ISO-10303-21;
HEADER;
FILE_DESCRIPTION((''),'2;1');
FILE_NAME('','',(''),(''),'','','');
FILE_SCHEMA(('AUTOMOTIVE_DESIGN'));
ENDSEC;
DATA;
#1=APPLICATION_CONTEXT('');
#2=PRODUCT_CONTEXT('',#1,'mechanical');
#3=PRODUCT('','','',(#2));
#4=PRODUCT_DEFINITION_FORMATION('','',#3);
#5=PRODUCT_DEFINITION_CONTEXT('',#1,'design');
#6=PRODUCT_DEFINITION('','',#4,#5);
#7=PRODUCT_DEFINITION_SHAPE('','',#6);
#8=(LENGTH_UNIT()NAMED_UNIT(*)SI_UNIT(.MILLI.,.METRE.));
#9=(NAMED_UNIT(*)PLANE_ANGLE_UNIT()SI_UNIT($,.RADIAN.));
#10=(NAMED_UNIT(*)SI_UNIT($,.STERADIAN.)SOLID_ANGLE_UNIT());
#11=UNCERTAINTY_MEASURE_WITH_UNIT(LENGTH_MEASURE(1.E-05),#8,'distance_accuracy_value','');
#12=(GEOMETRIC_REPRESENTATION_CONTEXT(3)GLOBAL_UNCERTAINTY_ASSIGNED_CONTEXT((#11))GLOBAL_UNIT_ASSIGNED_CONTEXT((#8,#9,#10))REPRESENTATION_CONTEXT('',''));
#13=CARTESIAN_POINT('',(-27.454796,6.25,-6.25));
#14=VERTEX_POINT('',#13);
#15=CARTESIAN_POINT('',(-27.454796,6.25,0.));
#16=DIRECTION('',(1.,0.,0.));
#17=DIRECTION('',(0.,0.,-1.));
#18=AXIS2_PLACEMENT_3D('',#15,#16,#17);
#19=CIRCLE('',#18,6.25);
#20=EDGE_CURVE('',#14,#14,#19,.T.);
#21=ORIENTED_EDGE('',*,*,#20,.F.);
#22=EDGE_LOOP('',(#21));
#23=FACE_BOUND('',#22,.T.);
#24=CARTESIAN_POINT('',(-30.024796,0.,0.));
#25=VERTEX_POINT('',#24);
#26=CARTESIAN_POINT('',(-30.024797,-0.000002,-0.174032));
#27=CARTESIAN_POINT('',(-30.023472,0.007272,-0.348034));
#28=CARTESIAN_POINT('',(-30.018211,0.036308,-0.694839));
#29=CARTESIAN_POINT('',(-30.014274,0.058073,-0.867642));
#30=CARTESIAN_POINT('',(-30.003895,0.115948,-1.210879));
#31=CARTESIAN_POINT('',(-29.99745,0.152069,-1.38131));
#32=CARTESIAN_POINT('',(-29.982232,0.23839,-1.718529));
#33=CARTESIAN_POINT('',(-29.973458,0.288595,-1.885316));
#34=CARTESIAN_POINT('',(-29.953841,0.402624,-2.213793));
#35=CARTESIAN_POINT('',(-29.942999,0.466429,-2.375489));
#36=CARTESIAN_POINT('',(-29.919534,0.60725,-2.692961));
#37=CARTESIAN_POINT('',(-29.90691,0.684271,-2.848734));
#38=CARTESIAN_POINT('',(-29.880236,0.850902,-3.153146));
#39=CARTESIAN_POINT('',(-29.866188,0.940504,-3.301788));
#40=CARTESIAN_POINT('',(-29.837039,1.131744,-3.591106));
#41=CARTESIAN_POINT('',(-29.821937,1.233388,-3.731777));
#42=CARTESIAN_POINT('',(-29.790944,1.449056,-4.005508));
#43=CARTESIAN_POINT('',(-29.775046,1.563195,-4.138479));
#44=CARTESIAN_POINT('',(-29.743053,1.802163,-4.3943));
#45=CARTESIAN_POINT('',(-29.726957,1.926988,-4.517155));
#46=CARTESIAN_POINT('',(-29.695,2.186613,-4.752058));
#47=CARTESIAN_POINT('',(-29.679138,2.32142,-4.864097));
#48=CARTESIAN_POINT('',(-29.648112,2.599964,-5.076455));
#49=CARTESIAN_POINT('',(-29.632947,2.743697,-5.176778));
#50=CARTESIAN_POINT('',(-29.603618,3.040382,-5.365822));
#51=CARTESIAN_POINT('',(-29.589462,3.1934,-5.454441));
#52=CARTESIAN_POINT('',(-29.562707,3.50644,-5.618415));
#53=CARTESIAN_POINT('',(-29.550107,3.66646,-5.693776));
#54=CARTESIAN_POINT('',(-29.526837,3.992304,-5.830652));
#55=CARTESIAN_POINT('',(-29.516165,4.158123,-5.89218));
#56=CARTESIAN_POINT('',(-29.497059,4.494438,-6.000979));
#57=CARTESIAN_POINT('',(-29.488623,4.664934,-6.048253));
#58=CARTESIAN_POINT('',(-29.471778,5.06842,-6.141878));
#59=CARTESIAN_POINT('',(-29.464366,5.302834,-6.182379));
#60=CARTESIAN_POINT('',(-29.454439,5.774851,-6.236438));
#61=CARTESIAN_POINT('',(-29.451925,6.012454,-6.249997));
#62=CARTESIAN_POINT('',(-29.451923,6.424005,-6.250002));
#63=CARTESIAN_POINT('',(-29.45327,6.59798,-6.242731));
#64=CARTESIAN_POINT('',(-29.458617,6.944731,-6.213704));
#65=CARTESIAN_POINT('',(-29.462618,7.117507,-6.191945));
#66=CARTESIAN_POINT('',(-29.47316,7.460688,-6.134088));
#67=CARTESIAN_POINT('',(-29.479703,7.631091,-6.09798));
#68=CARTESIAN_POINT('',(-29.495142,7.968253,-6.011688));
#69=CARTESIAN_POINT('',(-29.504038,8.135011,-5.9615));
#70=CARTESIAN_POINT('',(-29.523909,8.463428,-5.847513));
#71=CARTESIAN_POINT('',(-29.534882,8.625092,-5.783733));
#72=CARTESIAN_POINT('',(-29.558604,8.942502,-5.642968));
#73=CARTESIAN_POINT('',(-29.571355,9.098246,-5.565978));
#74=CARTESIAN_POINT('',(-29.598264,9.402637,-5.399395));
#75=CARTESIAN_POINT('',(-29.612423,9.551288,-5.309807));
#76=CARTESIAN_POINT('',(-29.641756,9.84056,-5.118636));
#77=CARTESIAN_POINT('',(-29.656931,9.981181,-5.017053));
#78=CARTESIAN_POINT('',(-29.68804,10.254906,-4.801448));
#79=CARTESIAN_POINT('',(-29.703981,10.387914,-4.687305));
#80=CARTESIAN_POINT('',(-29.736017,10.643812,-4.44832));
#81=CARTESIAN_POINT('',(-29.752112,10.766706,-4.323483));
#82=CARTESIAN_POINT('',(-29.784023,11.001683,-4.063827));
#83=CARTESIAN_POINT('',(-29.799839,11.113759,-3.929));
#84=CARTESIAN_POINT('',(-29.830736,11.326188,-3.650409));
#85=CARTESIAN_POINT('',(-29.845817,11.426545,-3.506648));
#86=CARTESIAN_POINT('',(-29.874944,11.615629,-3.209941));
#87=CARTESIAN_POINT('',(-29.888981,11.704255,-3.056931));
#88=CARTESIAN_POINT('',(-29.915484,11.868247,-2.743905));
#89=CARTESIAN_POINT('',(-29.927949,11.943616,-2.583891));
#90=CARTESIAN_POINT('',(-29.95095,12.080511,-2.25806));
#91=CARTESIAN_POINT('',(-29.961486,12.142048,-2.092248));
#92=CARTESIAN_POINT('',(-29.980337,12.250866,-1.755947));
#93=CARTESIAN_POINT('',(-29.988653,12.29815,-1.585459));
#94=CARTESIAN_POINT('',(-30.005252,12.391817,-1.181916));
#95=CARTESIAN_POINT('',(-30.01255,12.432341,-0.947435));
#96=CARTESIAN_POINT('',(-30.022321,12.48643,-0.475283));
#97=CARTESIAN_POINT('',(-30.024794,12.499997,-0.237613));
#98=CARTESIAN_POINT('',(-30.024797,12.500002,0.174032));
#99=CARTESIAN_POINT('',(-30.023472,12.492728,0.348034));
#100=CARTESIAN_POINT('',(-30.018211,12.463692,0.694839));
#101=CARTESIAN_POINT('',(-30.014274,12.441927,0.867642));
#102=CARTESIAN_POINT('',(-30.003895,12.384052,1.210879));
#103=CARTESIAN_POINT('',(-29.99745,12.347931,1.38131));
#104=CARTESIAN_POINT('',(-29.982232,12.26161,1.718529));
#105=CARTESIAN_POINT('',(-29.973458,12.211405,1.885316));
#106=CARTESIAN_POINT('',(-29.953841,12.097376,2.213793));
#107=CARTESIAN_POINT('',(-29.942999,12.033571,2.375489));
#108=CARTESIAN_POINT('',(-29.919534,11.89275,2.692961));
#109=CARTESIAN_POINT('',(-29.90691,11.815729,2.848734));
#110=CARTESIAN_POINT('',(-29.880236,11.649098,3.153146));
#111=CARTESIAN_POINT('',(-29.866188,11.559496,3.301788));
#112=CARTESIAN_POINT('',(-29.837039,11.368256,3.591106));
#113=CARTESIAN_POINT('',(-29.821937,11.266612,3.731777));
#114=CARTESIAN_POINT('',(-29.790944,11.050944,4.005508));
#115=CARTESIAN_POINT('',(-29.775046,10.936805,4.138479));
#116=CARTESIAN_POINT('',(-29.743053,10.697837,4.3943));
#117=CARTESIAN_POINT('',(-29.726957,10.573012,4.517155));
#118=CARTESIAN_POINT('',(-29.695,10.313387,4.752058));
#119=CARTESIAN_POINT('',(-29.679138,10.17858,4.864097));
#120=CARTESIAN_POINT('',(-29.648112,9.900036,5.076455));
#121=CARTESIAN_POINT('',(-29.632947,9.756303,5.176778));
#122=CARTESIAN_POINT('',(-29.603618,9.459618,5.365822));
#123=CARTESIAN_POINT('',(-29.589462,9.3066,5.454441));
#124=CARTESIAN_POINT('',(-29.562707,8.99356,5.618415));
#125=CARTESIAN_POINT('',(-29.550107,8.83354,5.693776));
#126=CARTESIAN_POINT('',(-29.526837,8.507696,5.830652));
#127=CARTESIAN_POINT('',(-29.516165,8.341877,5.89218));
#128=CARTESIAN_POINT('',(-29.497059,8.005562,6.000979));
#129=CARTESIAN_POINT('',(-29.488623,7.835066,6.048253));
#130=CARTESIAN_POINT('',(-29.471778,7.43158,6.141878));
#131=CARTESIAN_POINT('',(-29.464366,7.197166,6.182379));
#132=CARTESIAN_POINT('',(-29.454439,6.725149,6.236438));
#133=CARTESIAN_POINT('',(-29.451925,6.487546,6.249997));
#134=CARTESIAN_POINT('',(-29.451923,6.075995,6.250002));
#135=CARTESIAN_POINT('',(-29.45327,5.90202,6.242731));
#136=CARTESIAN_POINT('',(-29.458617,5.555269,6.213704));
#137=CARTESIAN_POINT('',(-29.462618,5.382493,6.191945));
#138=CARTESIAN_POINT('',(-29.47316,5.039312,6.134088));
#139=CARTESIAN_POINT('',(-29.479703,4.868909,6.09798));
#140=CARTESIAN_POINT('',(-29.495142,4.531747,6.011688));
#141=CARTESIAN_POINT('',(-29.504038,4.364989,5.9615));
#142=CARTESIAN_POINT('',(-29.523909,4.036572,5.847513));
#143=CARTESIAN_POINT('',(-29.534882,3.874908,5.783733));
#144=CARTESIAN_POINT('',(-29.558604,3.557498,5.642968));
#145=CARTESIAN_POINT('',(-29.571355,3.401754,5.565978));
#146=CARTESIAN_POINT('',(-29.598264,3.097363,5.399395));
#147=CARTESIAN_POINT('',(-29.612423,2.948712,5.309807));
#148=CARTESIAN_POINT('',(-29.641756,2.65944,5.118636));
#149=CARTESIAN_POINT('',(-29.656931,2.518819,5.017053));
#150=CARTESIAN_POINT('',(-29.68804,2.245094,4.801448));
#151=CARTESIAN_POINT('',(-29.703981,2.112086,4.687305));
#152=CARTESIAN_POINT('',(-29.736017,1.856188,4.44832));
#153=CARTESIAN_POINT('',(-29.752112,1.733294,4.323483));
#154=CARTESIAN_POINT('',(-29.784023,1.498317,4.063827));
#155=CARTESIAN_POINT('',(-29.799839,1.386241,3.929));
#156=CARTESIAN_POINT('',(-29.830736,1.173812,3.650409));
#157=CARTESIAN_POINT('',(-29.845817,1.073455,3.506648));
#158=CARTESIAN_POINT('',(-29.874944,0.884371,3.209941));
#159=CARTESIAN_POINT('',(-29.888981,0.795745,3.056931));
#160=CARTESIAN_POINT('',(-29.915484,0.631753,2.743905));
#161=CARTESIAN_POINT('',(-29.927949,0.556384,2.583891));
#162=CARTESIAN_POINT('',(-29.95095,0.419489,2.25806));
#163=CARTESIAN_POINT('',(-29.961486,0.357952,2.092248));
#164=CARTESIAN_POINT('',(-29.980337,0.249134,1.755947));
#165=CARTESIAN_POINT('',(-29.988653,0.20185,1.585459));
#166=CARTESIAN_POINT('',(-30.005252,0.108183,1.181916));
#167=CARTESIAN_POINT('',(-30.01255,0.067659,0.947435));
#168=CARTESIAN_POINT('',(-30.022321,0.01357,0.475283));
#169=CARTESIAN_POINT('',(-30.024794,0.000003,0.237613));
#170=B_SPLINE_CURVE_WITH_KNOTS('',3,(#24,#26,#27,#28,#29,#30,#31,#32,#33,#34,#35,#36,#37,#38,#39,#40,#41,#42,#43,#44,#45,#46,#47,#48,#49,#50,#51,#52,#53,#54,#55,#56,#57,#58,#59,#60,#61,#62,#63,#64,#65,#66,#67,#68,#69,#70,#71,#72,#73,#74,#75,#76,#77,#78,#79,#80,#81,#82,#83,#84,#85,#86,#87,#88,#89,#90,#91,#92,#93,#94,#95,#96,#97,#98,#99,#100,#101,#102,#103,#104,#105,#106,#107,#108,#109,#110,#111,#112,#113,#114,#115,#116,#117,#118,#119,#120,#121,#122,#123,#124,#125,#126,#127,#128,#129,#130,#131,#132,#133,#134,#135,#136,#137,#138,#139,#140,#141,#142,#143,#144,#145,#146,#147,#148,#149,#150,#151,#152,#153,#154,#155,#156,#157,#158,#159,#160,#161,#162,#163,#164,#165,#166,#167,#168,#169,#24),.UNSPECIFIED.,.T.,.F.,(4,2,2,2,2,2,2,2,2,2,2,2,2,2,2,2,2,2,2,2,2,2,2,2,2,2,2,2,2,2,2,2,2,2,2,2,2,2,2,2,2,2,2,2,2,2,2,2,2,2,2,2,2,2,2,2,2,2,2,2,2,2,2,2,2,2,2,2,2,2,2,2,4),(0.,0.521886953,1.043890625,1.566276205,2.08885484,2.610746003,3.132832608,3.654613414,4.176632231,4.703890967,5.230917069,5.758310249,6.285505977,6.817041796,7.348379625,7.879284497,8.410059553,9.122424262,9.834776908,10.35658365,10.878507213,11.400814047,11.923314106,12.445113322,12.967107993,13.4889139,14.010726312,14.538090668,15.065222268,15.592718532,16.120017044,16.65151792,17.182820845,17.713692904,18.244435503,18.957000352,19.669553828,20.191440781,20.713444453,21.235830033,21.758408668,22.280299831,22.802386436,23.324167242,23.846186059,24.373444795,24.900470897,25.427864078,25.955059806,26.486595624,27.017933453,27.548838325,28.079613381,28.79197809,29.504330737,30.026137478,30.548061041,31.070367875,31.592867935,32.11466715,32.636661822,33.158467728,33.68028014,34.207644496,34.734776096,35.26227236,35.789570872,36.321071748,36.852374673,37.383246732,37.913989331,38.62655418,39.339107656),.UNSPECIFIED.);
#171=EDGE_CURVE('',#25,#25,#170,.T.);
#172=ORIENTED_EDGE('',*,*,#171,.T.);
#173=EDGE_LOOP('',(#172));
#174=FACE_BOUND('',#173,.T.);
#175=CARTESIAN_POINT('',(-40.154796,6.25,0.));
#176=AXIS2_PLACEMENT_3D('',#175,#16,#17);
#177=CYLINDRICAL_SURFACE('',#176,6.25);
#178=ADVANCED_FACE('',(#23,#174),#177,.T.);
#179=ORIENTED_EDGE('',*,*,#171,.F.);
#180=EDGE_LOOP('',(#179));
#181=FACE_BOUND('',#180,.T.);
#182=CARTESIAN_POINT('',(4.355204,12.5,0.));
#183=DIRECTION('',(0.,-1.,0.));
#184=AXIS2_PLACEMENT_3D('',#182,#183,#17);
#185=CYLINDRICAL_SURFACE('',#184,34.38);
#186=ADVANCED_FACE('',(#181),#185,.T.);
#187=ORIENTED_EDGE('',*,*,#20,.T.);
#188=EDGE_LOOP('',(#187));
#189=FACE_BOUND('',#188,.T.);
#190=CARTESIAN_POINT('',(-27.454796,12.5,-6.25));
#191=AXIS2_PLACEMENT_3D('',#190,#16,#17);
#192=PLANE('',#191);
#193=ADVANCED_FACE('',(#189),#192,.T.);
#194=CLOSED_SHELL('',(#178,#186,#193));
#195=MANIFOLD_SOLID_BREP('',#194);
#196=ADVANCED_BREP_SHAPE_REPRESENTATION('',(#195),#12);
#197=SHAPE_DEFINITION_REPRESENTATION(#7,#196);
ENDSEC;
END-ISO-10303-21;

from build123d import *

# Parameters (mm, degrees)
EXTRUDE_1_DEPTH     = 12.5
CUT_EXTRUDE_8_DEPTH = 12.7


with BuildPart() as part:
    # 草图1 → 凸台-拉伸1 (new body)
    with BuildSketch(Plane(origin=(0, 0, 0), x_dir=(1, 0, 0), z_dir=(0, 1, 0))):
        with BuildLine():
            Line((-29.451923612, 6.25), (-27.454795665, 6.25))
            Line((-27.454795665, 6.25), (-27.454795665, -6.25))
            Line((-27.454795665, -6.25), (-29.451923612, -6.25))
            ThreePointArc((-29.451923612, -6.25), (-30.024795665, 0), (-29.451923612, 6.25))
        make_face()
    extrude(amount=EXTRUDE_1_DEPTH)

    # 草图2 → 切除-拉伸8 (cut)
    with BuildSketch(Plane(origin=(-27.454795665, 0, 0), x_dir=(0, 0, -1), z_dir=(1, 0, 0))):
        with BuildLine():
            Line((-6.25, 12.5), (-6.25, 6.249999987))
            ThreePointArc((-6.25, 6.249999987), (-4.419417387, 10.669417378), (0, 12.5))
            Line((0, 12.5), (-6.25, 12.5))
        make_face()
        with BuildLine():
            ThreePointArc((0, 12.5), (4.419417382, 10.669417382), (6.25, 6.25))
            Line((6.25, 6.25), (6.25, 12.5))
            Line((6.25, 12.5), (0, 12.5))
        make_face()
        with BuildLine():
            ThreePointArc((6.25, 6.25), (4.419417382, 1.830582618), (0, 0))
            Line((0, 0), (6.25, 0))
            Line((6.25, 0), (6.25, 6.25))
        make_face()
        with BuildLine():
            Line((-6.25, 6.249999987), (-6.25, 0))
            Line((-6.25, 0), (0, 0))
            ThreePointArc((0, 0), (-4.419417378, 1.830582613), (-6.25, 6.249999987))
        make_face()
    extrude(amount=-CUT_EXTRUDE_8_DEPTH, mode=Mode.SUBTRACT)


solid = part.part
